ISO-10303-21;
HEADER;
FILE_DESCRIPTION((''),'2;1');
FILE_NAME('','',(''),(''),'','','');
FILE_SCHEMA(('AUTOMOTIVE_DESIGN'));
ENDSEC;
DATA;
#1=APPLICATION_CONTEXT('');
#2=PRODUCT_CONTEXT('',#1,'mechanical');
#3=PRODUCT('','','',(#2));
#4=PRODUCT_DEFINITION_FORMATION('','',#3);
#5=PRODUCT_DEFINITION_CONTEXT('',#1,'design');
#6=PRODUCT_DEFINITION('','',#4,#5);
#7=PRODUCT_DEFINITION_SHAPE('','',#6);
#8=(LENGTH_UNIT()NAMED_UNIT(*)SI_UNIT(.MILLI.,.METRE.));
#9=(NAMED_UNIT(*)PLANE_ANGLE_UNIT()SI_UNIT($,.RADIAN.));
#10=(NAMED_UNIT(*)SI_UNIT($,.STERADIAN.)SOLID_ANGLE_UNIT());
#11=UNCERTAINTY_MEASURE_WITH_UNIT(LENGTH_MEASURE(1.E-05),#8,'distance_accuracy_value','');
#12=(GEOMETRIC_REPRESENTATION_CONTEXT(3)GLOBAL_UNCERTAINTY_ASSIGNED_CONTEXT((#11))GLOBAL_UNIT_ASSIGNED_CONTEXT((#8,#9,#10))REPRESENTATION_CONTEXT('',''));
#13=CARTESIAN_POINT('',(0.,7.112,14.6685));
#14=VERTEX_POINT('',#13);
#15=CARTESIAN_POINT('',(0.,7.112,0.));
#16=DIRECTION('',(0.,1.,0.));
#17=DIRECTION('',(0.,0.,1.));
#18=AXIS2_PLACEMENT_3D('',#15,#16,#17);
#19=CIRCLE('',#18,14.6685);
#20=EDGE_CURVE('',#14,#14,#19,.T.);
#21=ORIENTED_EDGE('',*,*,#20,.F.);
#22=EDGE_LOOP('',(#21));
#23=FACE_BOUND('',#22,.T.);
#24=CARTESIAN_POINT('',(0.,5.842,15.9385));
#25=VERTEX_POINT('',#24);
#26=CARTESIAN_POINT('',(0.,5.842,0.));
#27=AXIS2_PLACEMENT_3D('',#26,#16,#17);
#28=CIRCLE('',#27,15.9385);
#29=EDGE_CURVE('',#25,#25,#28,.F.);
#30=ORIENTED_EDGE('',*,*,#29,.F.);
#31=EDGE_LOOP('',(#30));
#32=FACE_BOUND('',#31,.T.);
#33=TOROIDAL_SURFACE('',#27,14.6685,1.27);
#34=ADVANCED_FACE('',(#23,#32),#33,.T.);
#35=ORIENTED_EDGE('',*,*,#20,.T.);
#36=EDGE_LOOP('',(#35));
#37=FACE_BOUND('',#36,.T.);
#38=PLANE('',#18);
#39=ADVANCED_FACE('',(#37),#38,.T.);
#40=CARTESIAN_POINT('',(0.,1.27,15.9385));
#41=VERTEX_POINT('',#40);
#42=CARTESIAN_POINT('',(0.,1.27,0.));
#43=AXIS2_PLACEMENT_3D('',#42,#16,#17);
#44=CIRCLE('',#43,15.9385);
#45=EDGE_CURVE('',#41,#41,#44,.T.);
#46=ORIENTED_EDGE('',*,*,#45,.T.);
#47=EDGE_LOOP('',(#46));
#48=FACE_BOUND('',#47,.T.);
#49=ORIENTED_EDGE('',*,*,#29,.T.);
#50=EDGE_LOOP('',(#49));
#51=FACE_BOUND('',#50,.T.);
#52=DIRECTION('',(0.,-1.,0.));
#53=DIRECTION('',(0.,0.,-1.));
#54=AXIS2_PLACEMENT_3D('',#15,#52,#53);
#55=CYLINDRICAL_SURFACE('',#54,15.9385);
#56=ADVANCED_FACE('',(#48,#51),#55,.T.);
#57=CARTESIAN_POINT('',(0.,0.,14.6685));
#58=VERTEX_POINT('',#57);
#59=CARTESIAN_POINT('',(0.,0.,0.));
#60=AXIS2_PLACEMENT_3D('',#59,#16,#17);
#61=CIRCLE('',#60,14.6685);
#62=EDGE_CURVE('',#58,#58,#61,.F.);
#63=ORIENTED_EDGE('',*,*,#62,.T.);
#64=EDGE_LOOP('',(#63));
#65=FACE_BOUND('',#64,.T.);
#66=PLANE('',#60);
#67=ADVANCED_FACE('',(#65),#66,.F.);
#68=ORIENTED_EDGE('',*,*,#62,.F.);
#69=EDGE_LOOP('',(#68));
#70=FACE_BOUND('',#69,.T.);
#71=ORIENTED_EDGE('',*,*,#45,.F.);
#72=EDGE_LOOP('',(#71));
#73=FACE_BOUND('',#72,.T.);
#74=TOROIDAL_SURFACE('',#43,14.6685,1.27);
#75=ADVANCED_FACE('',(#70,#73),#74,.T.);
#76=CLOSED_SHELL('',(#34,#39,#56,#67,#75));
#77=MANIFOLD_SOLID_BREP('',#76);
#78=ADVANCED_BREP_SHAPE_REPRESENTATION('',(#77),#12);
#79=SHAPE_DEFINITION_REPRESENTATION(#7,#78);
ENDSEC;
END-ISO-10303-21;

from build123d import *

# Parameters (mm, degrees)
SKETCH1_R           = 15.9385
BOSS_EXTRUDE1_DEPTH = 7.112
FILLET1_R           = 1.27


with BuildPart() as part:
    # Sketch1 → Boss-Extrude1 (new body)
    with BuildSketch(Plane(origin=(0, 0, 0), x_dir=(1, 0, 0), z_dir=(0, 1, 0))):
        Circle(SKETCH1_R)
    extrude(amount=BOSS_EXTRUDE1_DEPTH)

    # Fillet1
    fillet1_edges = [part.edges().sort_by_distance(p)[0] for p in [
        (-15.9385, 0, 0),
        (-15.9385, 7.112, 0),
    ]]
    fillet(fillet1_edges, radius=FILLET1_R)


solid = part.part
